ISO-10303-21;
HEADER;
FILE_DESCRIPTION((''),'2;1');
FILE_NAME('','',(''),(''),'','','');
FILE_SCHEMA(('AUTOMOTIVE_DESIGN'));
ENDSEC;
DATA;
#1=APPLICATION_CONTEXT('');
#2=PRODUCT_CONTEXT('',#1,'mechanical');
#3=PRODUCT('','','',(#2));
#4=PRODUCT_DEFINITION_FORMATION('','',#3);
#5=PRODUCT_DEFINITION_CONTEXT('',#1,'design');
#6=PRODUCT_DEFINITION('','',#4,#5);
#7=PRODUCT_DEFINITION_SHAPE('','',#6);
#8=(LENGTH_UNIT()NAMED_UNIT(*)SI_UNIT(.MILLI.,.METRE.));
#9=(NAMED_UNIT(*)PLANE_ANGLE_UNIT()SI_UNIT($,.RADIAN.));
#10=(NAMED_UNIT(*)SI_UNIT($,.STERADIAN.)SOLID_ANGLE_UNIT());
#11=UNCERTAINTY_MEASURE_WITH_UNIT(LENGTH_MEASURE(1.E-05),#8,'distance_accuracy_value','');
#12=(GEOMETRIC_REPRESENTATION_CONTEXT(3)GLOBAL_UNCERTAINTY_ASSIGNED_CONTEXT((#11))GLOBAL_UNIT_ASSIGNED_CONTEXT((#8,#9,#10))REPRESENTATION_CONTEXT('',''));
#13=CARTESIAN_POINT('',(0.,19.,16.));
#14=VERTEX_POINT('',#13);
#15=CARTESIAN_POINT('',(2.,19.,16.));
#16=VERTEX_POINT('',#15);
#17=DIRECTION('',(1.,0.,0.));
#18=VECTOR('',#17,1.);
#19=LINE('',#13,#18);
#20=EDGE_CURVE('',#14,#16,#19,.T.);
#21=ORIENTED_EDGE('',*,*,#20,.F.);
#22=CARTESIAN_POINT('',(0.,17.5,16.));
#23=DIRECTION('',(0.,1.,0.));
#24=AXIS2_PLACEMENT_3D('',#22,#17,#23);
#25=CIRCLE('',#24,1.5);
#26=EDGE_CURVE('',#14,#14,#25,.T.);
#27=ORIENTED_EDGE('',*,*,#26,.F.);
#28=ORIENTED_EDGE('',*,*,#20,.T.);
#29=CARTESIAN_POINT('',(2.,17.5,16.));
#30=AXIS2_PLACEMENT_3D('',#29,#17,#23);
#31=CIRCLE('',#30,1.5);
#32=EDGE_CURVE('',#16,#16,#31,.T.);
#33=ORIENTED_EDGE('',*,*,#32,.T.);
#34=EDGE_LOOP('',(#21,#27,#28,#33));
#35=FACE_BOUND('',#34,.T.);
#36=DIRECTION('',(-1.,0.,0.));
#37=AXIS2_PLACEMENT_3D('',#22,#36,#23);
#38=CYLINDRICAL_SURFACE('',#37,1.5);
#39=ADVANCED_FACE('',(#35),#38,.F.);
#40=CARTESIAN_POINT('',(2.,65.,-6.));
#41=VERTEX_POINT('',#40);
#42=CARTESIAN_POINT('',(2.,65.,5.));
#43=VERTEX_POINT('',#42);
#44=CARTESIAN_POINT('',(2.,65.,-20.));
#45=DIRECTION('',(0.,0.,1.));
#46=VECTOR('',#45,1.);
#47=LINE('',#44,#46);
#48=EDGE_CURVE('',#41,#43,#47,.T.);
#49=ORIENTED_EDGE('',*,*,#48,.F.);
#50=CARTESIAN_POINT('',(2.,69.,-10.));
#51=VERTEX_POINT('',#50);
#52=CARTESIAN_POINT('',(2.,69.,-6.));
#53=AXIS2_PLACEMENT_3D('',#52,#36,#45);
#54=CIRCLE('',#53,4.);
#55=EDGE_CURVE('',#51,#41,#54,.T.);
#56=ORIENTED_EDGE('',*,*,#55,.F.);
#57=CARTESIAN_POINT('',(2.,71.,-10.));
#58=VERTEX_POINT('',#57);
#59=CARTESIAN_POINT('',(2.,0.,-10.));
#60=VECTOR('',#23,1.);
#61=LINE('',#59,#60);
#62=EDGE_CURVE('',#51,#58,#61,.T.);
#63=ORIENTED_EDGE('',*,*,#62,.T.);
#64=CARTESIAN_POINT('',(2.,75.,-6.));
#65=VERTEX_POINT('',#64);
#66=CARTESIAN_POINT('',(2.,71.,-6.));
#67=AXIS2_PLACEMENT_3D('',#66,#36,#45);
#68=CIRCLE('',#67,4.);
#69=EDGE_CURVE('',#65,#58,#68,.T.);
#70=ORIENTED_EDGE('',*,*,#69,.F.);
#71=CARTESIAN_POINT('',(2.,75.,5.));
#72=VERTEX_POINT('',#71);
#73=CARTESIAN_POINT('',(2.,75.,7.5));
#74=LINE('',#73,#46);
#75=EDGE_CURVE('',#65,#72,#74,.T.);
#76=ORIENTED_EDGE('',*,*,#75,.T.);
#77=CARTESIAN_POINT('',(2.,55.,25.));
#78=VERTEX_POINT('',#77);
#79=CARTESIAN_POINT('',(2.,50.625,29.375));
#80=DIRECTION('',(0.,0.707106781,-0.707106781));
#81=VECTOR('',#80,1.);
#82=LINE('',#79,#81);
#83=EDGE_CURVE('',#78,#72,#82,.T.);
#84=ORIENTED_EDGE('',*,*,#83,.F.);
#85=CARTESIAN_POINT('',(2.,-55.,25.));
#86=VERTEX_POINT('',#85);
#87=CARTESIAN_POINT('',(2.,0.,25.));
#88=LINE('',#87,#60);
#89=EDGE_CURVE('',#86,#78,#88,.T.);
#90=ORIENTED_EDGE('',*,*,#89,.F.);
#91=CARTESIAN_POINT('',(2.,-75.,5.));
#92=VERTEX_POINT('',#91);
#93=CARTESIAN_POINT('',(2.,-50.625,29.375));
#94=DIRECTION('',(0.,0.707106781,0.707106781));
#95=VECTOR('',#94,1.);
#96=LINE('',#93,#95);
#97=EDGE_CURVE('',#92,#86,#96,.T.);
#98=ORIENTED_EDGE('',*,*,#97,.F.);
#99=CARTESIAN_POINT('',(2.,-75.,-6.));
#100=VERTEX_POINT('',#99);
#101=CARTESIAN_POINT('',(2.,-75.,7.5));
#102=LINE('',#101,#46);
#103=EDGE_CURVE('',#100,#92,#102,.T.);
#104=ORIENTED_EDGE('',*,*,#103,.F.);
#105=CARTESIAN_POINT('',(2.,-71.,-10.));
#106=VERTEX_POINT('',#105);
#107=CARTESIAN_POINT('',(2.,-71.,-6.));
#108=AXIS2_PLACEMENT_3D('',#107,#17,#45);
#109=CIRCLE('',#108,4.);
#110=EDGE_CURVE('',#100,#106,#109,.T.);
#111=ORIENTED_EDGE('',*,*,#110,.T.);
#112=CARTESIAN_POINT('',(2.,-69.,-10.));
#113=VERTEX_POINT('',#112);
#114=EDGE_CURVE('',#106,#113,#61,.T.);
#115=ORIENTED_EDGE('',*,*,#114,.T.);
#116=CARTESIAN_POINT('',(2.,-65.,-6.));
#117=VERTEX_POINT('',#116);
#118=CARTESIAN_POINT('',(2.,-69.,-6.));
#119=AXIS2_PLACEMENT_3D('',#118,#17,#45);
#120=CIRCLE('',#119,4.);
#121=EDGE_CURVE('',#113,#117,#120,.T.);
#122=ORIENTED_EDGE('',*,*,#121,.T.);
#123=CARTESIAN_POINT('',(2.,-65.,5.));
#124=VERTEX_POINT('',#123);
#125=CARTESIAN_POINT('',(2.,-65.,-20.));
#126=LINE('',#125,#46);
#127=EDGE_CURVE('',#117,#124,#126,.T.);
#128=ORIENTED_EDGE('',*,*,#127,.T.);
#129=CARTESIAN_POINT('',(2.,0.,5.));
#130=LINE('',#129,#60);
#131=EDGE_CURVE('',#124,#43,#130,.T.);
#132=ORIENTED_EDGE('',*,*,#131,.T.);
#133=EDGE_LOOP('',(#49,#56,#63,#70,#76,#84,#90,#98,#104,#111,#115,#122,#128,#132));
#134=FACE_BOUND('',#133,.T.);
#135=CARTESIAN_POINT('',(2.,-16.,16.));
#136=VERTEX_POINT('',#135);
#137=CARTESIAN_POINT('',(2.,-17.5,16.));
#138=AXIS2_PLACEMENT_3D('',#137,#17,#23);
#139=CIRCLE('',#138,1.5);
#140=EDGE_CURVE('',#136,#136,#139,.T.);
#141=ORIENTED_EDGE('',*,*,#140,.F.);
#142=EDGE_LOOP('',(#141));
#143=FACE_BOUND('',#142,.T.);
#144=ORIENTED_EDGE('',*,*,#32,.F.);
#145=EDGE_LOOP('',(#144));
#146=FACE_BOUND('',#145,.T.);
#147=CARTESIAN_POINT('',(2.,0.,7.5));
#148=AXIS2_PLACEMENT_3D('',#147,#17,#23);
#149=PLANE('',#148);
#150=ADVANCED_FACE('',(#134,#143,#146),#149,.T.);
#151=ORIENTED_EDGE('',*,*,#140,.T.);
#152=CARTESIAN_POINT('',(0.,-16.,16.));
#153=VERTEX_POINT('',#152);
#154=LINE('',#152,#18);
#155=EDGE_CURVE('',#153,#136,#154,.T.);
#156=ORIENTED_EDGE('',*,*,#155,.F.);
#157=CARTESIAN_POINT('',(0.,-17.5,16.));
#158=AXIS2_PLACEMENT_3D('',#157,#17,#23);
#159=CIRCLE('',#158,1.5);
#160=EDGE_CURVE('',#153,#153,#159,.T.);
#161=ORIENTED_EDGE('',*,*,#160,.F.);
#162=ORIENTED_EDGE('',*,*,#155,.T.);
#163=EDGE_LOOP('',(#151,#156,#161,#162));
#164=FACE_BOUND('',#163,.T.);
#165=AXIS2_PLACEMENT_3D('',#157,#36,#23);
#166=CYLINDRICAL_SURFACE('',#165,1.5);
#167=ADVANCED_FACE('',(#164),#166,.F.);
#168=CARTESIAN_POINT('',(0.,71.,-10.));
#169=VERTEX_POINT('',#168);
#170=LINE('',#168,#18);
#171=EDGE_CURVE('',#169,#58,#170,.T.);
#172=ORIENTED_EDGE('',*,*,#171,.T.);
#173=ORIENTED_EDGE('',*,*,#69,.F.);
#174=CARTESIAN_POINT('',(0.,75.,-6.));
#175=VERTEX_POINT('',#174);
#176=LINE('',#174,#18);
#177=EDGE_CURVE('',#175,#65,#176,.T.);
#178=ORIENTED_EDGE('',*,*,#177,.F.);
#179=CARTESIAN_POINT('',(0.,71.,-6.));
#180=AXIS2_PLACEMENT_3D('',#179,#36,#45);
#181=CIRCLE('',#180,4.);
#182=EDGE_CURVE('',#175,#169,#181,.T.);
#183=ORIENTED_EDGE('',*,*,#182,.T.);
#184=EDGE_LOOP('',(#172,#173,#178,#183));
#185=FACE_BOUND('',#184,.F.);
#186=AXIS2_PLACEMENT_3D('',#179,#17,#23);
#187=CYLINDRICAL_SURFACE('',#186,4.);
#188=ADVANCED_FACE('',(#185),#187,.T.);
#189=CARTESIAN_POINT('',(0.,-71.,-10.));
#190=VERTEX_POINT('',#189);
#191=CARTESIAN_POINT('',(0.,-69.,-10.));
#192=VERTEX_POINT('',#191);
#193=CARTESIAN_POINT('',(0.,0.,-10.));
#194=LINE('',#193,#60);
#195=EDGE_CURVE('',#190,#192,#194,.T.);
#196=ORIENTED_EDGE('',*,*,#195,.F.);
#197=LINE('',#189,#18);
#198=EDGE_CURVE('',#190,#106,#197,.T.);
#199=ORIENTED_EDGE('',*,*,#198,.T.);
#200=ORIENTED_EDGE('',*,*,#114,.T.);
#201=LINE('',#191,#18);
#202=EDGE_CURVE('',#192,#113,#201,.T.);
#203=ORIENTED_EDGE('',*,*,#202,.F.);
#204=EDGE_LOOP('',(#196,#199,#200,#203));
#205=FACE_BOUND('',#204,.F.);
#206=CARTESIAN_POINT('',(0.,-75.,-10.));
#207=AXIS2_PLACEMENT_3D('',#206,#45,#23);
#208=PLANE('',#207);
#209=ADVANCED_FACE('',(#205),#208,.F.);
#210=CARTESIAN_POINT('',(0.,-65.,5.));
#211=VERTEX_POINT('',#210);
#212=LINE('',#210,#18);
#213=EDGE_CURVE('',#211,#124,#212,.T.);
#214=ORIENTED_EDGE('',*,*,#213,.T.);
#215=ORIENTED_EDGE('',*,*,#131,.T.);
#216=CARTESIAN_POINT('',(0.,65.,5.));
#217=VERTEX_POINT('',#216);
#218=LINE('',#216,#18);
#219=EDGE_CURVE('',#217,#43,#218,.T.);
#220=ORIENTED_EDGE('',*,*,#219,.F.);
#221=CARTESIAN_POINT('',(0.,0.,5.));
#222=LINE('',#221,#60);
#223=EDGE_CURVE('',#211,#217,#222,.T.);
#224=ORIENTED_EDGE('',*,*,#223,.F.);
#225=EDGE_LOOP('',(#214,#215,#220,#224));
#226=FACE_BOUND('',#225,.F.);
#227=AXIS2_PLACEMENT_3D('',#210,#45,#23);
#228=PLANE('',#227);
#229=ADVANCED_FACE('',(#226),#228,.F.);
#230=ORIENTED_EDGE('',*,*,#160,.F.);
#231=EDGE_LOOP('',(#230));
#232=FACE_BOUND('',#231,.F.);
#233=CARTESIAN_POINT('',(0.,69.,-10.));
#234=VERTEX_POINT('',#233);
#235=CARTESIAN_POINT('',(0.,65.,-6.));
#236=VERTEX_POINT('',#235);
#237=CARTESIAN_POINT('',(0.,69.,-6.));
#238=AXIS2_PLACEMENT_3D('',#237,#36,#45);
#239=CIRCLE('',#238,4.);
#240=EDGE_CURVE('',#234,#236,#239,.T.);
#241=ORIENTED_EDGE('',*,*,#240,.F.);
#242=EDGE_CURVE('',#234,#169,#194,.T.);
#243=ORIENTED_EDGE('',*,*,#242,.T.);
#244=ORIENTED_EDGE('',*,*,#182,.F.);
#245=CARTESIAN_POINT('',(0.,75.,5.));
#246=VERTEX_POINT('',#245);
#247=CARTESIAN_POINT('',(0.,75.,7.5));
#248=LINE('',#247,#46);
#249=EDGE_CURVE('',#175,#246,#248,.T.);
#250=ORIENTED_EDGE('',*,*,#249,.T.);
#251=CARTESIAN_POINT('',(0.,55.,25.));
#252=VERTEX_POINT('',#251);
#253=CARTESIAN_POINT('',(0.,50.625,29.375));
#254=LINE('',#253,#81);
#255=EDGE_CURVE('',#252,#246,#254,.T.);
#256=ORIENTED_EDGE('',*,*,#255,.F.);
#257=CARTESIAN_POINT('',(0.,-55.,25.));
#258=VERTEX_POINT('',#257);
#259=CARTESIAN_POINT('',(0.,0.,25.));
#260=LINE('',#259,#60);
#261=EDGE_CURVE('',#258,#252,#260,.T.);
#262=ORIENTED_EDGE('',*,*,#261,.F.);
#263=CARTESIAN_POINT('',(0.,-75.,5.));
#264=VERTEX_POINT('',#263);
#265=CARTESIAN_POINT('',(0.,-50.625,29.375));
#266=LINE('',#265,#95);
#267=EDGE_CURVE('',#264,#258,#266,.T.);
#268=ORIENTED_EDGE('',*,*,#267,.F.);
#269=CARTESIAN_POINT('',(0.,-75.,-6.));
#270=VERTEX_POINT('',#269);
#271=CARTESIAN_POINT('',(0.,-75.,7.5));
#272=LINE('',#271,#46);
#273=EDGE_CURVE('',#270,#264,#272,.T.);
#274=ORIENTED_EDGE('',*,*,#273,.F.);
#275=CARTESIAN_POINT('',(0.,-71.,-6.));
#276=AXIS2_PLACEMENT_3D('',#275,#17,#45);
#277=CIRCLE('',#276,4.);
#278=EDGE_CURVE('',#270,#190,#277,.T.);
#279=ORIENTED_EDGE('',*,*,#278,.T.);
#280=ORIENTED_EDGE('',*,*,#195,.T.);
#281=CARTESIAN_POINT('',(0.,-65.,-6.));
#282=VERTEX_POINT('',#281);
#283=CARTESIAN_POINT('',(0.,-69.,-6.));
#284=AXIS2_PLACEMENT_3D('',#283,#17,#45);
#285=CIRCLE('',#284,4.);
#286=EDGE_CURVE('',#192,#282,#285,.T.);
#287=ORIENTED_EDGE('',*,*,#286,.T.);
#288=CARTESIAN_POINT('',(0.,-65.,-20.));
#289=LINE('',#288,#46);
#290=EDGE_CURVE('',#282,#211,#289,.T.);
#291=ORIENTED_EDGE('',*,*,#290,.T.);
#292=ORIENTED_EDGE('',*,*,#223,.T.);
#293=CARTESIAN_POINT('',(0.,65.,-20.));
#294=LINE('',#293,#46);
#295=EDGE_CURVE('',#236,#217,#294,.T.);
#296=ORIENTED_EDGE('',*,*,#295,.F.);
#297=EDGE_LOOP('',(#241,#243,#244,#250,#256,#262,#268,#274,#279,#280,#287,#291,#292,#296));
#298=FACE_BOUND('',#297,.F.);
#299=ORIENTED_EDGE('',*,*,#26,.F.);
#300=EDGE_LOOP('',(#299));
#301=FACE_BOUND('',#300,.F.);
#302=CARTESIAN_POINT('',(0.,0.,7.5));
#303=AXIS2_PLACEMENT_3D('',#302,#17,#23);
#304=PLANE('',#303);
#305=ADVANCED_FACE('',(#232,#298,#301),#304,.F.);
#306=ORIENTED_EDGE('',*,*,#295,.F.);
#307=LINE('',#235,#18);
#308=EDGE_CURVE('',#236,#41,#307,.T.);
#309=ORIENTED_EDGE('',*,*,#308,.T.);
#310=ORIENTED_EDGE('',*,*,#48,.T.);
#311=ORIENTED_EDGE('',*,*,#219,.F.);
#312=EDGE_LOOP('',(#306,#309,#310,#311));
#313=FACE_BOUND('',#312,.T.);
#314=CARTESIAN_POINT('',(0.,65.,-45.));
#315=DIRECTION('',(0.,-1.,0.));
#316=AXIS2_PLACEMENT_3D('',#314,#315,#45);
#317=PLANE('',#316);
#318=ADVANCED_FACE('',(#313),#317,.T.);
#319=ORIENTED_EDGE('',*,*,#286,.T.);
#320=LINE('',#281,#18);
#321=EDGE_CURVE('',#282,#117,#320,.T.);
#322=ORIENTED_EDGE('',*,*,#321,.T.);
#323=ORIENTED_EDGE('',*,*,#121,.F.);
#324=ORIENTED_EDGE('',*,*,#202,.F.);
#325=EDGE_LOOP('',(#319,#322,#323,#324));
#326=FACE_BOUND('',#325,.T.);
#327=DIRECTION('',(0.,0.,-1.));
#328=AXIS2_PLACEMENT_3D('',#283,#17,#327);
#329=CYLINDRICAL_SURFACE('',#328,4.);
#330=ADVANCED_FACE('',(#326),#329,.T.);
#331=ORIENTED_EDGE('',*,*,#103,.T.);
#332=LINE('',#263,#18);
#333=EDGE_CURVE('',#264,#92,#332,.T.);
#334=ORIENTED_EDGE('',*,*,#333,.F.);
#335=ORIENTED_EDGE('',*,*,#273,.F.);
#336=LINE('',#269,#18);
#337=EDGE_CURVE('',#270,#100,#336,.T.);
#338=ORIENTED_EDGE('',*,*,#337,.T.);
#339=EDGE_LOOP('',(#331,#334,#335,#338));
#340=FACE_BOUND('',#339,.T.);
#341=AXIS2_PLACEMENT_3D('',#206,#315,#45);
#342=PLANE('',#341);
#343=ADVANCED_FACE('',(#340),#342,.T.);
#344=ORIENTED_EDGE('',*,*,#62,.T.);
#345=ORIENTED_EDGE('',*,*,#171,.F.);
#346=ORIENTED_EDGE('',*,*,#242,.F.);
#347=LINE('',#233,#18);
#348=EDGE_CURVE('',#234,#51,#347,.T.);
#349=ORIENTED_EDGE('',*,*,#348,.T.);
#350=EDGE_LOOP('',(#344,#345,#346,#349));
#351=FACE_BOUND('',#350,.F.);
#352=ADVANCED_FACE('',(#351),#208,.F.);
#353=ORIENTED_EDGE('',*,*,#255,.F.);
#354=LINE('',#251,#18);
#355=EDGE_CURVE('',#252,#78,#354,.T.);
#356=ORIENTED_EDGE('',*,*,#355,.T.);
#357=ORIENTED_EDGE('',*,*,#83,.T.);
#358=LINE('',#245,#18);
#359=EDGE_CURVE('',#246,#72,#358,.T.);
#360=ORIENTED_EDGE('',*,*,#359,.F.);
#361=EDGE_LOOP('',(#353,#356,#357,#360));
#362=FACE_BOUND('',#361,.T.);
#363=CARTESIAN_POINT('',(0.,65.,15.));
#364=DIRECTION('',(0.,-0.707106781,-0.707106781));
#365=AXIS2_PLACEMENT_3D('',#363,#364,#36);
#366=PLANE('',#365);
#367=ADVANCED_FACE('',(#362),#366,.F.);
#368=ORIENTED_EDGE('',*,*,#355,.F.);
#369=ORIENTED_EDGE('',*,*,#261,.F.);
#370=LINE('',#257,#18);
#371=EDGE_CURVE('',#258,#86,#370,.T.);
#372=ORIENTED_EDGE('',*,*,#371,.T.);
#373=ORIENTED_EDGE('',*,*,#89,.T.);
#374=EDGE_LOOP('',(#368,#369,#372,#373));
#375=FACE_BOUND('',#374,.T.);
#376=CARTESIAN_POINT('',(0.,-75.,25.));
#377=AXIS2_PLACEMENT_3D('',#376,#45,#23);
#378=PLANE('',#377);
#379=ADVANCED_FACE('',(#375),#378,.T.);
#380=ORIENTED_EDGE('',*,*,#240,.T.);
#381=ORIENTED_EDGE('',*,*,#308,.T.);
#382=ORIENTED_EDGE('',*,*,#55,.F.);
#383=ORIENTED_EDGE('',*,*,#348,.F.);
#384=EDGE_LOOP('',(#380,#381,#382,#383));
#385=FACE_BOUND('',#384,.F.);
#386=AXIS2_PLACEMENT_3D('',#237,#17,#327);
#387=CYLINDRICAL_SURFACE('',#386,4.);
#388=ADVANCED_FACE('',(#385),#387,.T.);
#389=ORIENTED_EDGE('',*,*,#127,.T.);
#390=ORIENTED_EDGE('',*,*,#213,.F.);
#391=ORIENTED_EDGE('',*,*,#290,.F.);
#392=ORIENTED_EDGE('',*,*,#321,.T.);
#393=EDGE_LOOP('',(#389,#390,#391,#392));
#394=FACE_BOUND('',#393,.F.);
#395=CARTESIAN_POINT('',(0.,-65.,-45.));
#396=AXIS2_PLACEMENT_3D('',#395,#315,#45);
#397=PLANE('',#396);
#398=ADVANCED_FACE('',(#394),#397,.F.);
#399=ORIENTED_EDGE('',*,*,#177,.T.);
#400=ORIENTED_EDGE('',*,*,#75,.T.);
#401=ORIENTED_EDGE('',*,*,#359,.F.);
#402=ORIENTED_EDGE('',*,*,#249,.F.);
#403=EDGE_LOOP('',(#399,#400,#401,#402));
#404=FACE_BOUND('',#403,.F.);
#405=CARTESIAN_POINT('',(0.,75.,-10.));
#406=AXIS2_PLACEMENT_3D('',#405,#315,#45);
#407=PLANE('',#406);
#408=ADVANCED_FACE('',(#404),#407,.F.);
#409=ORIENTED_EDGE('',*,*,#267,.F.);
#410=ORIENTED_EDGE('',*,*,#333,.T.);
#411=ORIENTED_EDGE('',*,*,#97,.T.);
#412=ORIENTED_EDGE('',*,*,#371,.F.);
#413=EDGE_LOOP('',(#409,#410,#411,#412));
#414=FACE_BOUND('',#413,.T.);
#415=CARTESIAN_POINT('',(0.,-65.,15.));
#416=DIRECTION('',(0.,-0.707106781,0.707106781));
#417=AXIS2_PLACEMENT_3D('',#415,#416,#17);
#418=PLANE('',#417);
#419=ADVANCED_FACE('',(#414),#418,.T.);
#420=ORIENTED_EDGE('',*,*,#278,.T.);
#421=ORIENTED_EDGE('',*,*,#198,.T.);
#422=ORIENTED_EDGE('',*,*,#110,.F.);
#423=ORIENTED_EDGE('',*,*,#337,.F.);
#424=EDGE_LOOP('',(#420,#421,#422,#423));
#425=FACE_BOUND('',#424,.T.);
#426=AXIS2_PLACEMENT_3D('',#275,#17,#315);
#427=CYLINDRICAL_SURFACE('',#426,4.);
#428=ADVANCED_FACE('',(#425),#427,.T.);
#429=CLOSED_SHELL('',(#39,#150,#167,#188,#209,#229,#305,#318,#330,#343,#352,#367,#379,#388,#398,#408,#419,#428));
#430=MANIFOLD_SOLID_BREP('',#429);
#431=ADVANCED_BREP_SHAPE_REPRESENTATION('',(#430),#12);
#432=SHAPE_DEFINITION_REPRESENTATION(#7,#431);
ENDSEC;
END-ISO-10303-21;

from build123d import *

# Parameters (mm, degrees)
SKETCH018_W     = 150
SKETCH018_H     = 35
PAD010_DEPTH    = 2
SKETCH019_W     = 130
SKETCH019_H     = 50
POCKET007_DEPTH = 2
FILLET_R        = 4
SKETCH020_R     = 1.5
POCKET008_DEPTH = 2
CHAMFER002_SIZE = 20


with BuildPart() as part:
    # Sketch018 → Pad010 (new body)
    with BuildSketch(Plane.YZ):
        with Locations((0, 7.5)):
            Rectangle(SKETCH018_W, SKETCH018_H)
    extrude(amount=PAD010_DEPTH)

    # Sketch019 → Pocket007 (cut)
    with BuildSketch(Plane.YZ):
        with Locations((0, -20)):
            Rectangle(SKETCH019_W, SKETCH019_H)
    extrude(amount=POCKET007_DEPTH, mode=Mode.SUBTRACT)

    # Fillet
    fillet_edges = [part.edges().sort_by_distance(p)[0] for p in [
        (1, -65, -10),
        (1, -75, -10),
        (1, 65, -10),
        (1, 75, -10),
    ]]
    fillet(fillet_edges, radius=FILLET_R)

    # Sketch020 → Pocket008 (cut)
    with BuildSketch(Plane.YZ):
        with Locations((17.5, 16)):
            Circle(SKETCH020_R)
        with Locations((-17.5, 16)):
            Circle(SKETCH020_R)
    extrude(amount=POCKET008_DEPTH, mode=Mode.SUBTRACT)

    # Chamfer002
    chamfer002_edges = [part.edges().sort_by_distance(p)[0] for p in [
        (1, -75, 25),
        (1, 75, 25),
    ]]
    chamfer(chamfer002_edges, length=CHAMFER002_SIZE)


solid = part.part
